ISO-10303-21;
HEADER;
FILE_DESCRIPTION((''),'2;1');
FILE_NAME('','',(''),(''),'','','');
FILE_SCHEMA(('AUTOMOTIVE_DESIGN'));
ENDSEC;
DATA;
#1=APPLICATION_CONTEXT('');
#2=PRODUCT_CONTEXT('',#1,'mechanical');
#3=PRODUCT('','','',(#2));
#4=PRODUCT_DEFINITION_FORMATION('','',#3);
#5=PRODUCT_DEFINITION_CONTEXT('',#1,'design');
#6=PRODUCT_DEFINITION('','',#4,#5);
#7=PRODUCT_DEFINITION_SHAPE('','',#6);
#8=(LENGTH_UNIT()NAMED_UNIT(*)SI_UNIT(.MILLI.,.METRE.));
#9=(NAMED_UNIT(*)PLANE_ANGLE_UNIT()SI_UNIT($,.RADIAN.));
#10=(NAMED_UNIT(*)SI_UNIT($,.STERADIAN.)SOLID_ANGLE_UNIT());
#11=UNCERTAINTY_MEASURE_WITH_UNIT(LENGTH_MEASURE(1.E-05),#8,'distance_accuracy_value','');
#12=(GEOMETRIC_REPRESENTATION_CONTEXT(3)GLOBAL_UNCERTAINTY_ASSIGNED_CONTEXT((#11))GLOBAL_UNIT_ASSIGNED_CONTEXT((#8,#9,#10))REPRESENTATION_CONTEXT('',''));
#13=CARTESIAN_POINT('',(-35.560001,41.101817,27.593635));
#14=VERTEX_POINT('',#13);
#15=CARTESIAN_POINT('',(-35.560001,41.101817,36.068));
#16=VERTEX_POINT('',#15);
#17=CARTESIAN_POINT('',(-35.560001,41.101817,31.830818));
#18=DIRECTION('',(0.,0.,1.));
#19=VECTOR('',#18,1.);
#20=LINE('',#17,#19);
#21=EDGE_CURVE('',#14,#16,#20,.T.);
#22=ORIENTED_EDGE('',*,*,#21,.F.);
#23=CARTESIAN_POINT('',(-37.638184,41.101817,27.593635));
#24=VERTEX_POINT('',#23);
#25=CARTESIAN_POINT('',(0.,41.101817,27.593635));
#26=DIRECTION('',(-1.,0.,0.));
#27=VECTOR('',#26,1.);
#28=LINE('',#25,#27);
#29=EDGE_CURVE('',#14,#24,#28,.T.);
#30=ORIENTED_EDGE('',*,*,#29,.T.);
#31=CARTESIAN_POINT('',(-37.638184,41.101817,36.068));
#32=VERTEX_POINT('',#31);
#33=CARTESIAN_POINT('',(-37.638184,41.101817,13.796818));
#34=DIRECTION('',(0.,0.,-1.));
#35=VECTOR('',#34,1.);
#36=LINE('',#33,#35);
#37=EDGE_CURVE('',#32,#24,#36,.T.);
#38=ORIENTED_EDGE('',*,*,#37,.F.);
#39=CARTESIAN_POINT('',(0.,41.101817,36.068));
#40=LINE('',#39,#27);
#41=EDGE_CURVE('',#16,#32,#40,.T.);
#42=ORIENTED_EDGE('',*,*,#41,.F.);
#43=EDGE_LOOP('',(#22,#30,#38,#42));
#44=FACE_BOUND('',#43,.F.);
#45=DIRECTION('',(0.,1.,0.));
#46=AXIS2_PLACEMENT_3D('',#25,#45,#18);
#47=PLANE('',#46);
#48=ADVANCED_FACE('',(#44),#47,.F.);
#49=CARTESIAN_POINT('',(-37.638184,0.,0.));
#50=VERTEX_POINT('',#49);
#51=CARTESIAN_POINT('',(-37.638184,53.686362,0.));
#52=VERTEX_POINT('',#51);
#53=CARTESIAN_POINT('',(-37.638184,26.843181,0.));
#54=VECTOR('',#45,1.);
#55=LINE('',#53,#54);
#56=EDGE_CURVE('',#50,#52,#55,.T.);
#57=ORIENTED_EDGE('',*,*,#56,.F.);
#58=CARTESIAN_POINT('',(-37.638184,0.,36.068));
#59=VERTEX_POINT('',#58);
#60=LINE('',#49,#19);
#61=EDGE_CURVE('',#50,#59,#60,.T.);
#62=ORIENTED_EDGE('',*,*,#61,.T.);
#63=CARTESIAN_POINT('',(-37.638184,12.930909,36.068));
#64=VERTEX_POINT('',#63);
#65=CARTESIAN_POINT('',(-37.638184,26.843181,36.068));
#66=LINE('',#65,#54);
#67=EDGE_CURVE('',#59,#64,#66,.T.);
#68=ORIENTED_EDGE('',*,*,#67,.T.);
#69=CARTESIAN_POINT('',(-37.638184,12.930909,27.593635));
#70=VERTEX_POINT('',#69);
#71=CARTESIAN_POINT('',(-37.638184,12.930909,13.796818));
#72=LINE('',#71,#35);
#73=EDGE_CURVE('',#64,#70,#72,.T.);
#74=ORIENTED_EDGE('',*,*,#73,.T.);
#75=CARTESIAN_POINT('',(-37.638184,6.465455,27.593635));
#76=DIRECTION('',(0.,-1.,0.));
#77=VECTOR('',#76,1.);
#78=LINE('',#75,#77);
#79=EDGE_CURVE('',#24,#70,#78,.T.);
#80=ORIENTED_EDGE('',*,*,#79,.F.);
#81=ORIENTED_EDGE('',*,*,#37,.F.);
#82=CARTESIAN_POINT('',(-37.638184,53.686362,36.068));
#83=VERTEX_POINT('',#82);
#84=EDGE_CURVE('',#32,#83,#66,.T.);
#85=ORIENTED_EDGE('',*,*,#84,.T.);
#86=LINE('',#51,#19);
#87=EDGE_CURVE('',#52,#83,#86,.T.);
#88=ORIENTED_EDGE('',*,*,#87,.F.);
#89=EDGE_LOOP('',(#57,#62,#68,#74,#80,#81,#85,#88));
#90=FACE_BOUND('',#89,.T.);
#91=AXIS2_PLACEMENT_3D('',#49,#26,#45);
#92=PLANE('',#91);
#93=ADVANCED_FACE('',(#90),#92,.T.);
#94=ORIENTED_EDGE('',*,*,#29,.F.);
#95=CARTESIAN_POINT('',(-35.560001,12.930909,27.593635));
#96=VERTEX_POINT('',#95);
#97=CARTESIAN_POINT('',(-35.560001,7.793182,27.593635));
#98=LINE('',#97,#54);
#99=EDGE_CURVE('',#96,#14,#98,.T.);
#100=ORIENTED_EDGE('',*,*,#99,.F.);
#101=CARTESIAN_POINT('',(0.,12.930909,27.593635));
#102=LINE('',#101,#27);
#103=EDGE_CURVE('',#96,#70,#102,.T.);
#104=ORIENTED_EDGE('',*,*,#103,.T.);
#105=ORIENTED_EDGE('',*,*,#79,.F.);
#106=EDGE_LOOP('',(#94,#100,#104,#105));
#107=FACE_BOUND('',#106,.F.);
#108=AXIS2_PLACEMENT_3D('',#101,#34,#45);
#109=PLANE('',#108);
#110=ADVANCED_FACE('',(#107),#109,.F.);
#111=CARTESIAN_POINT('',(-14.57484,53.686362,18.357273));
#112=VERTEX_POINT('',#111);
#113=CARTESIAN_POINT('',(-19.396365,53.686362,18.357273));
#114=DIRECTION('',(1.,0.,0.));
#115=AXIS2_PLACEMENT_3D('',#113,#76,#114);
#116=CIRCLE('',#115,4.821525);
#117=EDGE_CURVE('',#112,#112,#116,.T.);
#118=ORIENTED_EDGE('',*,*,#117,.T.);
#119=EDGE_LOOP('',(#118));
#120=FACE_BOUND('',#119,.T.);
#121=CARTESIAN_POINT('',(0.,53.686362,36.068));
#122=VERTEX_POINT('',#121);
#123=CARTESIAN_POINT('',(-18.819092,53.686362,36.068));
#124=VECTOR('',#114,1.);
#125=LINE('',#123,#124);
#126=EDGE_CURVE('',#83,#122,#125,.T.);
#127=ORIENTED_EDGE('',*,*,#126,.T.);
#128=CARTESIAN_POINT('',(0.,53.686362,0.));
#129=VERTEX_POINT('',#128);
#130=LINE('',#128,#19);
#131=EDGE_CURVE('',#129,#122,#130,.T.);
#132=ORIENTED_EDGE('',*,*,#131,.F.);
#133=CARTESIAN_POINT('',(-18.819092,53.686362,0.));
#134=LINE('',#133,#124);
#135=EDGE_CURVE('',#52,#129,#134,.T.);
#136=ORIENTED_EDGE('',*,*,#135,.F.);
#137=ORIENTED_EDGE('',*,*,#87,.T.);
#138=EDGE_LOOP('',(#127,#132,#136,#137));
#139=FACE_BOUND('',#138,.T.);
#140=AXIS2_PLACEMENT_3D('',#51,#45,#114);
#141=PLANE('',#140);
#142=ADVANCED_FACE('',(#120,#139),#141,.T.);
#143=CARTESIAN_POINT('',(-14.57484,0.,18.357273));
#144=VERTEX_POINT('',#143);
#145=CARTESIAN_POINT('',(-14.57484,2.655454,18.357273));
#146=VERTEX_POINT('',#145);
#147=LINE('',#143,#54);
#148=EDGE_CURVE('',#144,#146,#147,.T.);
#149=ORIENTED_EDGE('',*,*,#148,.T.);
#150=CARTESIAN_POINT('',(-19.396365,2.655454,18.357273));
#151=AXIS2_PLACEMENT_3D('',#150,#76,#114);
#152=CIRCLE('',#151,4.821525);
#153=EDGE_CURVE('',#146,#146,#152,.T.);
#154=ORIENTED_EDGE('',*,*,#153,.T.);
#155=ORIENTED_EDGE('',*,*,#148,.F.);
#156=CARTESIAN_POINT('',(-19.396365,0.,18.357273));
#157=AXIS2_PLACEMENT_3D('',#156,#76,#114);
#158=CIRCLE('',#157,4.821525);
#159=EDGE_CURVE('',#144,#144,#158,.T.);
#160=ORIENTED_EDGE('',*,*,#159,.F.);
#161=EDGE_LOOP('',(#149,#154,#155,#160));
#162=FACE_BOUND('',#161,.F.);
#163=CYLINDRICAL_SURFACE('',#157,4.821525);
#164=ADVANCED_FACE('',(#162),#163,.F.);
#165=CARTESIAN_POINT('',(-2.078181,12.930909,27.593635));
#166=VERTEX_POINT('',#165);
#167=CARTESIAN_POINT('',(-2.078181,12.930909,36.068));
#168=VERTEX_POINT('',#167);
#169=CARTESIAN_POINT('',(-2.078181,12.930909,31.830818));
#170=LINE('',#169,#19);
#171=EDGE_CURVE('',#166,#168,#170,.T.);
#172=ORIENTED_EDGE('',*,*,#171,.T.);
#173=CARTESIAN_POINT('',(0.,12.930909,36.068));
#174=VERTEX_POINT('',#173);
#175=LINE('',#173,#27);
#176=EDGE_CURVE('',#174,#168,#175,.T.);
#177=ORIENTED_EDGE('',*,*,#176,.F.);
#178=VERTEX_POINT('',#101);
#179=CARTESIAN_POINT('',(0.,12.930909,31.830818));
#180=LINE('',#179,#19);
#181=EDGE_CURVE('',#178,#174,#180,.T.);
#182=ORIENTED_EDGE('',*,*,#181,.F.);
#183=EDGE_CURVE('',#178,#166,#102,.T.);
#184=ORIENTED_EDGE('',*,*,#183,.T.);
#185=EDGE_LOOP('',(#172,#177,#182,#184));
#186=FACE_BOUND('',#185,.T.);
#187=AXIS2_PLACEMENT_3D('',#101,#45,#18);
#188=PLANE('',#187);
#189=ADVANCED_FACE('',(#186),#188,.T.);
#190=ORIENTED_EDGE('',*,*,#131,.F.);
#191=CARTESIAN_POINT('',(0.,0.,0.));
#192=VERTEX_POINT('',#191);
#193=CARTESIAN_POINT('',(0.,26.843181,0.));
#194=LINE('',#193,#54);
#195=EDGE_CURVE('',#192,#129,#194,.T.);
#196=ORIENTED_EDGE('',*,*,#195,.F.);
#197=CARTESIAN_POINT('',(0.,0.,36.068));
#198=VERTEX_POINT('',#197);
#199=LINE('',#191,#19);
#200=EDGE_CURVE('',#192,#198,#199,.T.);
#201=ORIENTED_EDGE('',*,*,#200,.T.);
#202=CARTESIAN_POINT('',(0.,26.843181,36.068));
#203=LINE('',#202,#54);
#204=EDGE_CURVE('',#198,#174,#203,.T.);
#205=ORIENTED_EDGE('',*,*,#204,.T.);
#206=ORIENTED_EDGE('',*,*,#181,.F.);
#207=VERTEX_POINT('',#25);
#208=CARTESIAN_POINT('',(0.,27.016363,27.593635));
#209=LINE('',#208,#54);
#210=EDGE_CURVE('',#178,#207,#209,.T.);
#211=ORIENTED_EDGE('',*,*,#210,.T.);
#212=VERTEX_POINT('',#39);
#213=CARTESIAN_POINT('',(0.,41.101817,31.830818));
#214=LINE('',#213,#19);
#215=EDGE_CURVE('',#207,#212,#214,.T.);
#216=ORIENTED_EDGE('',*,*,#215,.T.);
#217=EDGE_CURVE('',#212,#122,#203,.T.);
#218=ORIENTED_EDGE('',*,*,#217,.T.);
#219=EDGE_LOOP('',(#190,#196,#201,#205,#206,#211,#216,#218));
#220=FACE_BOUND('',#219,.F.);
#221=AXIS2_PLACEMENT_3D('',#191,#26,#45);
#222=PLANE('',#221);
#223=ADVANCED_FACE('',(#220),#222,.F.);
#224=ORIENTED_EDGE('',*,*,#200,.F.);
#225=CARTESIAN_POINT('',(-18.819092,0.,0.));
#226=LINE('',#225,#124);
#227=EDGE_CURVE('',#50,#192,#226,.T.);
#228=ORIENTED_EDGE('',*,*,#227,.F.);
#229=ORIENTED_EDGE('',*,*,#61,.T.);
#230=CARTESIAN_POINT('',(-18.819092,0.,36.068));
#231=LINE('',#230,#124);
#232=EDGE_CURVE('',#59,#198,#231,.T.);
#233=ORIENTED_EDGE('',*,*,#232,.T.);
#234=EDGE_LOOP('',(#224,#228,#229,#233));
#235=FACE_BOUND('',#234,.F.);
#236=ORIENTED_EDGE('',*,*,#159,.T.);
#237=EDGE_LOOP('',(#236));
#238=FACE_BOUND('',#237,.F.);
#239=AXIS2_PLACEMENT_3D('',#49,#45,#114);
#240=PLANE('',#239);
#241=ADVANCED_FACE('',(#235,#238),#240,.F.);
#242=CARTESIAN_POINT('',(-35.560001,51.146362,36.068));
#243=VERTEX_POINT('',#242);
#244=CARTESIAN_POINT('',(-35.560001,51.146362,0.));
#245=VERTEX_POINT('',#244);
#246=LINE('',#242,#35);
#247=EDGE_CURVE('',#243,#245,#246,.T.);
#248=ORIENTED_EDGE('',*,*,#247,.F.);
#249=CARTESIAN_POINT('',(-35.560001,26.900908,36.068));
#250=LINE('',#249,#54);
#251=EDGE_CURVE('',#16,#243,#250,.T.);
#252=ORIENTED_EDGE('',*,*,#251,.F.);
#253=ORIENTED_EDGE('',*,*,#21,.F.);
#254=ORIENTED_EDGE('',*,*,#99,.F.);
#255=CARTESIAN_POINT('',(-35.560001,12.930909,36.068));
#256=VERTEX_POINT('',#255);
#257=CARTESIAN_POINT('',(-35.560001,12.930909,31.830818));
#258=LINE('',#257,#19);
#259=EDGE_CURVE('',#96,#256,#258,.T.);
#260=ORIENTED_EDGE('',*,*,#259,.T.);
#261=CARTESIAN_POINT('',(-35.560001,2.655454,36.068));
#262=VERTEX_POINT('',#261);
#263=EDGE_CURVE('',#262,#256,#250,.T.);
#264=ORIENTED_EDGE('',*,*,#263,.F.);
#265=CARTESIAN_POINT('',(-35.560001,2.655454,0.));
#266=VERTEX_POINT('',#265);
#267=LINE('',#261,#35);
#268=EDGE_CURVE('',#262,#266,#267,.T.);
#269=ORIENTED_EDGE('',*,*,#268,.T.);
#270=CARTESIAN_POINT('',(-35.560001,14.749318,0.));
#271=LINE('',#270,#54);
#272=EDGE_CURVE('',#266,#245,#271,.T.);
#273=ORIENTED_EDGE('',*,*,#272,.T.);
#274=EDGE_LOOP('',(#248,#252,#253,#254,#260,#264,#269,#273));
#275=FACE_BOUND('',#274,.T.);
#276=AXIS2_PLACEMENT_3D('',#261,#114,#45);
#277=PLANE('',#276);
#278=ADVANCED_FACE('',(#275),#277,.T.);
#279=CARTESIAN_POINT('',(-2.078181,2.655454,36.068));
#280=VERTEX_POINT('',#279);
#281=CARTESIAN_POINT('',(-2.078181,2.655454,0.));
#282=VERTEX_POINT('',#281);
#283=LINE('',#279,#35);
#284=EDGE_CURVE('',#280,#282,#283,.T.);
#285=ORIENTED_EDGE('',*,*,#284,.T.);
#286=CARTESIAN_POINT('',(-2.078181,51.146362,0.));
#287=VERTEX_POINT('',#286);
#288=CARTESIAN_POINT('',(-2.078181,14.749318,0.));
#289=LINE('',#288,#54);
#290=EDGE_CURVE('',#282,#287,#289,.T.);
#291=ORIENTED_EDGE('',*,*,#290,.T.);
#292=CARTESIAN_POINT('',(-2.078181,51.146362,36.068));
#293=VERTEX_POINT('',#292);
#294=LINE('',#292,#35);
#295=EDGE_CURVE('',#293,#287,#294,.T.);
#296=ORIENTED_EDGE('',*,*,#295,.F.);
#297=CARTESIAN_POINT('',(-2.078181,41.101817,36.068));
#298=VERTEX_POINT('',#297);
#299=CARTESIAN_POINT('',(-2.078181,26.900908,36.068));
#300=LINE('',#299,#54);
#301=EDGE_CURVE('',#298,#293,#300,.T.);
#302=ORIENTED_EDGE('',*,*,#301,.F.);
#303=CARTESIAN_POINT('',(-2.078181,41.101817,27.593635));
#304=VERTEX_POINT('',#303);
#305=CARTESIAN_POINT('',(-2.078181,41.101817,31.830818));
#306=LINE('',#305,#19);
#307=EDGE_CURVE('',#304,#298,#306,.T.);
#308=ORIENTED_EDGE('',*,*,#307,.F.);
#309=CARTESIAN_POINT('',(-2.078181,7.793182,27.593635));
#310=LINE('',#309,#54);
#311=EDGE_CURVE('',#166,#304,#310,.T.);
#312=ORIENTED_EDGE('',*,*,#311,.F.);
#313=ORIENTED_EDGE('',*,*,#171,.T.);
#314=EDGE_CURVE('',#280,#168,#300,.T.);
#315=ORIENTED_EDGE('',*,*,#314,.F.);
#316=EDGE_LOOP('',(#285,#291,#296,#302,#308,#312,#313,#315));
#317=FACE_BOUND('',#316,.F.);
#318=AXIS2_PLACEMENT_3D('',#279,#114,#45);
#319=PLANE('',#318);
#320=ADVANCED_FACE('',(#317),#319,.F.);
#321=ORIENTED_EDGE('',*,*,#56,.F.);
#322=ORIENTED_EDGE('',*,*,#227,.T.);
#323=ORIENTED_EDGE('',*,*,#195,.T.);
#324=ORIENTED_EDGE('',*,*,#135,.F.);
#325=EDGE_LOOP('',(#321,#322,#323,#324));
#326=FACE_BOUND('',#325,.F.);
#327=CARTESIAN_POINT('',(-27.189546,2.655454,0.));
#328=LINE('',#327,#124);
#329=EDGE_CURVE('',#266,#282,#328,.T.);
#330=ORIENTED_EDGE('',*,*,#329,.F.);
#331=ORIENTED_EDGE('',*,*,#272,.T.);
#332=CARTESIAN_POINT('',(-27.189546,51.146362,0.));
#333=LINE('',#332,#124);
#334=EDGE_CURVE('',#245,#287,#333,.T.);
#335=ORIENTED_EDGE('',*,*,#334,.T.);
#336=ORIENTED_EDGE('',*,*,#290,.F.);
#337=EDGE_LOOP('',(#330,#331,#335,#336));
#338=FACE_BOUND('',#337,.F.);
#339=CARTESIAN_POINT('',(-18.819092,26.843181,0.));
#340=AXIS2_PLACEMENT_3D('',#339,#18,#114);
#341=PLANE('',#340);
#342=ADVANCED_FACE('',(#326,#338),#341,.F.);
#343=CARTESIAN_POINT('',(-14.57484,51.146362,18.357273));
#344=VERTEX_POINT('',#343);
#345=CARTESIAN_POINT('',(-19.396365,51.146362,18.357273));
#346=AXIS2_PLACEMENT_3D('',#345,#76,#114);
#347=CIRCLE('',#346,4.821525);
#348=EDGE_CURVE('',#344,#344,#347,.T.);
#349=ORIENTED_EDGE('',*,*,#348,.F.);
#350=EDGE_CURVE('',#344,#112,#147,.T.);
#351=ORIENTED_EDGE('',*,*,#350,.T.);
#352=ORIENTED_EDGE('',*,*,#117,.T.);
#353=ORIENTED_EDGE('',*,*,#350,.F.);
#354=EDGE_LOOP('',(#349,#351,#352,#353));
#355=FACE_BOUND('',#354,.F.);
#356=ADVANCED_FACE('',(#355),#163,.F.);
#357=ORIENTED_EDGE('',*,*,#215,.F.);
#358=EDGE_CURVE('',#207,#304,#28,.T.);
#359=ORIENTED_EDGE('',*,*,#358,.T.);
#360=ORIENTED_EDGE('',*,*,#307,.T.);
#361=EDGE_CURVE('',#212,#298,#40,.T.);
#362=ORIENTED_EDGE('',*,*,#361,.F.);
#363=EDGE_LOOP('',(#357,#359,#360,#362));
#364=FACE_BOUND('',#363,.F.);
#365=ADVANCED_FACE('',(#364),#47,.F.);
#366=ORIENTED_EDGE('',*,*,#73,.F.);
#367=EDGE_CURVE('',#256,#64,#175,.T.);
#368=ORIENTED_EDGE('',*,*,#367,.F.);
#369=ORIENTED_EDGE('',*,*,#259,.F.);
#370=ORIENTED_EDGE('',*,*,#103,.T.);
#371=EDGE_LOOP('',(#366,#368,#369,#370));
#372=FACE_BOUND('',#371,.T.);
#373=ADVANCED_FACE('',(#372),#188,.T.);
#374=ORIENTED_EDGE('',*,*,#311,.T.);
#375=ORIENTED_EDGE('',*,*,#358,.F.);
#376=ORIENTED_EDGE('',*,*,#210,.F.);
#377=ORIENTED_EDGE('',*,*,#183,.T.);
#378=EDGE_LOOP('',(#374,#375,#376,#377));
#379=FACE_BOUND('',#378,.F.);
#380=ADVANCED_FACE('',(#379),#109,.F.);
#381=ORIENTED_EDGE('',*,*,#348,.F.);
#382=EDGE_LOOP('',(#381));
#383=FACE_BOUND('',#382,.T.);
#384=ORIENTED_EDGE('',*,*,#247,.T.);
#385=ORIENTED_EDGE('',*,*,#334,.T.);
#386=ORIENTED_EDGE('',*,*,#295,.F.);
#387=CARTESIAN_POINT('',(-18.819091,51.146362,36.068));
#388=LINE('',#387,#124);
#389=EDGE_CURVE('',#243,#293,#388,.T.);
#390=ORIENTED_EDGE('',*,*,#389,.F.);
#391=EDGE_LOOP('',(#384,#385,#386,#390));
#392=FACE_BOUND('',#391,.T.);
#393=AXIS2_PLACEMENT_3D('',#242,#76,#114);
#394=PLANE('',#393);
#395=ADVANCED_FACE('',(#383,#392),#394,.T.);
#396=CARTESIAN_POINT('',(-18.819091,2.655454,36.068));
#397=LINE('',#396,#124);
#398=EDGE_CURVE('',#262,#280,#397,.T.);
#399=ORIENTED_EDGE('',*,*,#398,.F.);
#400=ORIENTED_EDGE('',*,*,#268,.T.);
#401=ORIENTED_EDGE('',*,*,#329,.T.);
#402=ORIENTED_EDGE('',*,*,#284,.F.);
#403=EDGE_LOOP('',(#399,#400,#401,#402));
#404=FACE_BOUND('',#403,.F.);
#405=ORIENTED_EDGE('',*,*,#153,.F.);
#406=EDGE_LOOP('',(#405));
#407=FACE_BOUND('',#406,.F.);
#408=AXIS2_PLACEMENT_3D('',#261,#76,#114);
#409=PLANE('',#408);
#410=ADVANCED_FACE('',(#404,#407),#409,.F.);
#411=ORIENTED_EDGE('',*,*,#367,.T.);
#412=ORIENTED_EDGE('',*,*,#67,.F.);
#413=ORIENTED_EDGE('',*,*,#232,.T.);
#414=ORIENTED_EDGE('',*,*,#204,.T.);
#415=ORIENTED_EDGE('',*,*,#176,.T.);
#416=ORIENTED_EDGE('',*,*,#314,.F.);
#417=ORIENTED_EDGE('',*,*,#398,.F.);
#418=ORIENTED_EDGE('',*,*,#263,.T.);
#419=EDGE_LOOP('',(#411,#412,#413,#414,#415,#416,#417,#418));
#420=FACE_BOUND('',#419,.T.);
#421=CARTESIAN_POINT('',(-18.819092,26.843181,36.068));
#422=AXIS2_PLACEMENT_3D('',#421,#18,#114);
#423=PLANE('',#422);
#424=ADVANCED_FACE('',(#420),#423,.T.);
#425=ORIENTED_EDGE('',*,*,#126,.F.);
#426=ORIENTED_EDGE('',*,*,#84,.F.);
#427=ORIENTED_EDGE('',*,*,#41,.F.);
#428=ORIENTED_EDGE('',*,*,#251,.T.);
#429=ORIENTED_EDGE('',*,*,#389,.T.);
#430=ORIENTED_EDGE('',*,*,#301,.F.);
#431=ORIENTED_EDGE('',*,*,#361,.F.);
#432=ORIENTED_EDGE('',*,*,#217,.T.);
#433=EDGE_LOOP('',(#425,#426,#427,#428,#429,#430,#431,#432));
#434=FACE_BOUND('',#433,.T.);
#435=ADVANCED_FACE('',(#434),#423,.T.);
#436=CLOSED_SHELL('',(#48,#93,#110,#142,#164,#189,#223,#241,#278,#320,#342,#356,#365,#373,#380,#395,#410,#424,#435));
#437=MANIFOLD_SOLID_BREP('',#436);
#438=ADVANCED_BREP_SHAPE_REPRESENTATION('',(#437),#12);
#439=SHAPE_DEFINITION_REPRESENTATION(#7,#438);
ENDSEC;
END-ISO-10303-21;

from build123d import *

# Parameters (mm, degrees)
F0_W     = 37.6381836832
F0_H     = 53.6863617599
F1_DEPTH = 36.068
F2_W     = 33.4818195552
F2_H     = 48.4909075312
F3_DEPTH = 49.53
F4_W     = 28.1709078699
F4_H     = 8.4743649774
F5_DEPTH = 90.17
F6_R     = 4.8215246932
F7_DEPTH = 119.126


with BuildPart() as f1:
    # F0 (on Top) → F1 (new body)
    with BuildSketch(Plane.XY):
        with Locations((-18.8190918416, 26.84318088)):
            Rectangle(F0_W, F0_H)
    extrude(amount=F1_DEPTH)

    # F2 (on face) → F3 (cut)
    with BuildSketch(Plane.XY.offset(36.068)):
        with Locations((-18.8190909103, 26.9009082112)):
            Rectangle(F2_W, F2_H)
    extrude(amount=-F3_DEPTH, mode=Mode.SUBTRACT)

    # F4 (on face) → F5 (cut)
    with BuildSketch(Plane.YZ):
        with Locations((27.0163631067, 31.8308175113)):
            Rectangle(F4_W, F4_H)
    extrude(amount=-F5_DEPTH, mode=Mode.SUBTRACT)

    # F6 (on face) → F7 (cut)
    with BuildSketch(Plane.XZ):
        with Locations((-19.3963646889, 18.3572731912)):
            Circle(F6_R)
    extrude(amount=-F7_DEPTH, mode=Mode.SUBTRACT)


solid = f1.part
